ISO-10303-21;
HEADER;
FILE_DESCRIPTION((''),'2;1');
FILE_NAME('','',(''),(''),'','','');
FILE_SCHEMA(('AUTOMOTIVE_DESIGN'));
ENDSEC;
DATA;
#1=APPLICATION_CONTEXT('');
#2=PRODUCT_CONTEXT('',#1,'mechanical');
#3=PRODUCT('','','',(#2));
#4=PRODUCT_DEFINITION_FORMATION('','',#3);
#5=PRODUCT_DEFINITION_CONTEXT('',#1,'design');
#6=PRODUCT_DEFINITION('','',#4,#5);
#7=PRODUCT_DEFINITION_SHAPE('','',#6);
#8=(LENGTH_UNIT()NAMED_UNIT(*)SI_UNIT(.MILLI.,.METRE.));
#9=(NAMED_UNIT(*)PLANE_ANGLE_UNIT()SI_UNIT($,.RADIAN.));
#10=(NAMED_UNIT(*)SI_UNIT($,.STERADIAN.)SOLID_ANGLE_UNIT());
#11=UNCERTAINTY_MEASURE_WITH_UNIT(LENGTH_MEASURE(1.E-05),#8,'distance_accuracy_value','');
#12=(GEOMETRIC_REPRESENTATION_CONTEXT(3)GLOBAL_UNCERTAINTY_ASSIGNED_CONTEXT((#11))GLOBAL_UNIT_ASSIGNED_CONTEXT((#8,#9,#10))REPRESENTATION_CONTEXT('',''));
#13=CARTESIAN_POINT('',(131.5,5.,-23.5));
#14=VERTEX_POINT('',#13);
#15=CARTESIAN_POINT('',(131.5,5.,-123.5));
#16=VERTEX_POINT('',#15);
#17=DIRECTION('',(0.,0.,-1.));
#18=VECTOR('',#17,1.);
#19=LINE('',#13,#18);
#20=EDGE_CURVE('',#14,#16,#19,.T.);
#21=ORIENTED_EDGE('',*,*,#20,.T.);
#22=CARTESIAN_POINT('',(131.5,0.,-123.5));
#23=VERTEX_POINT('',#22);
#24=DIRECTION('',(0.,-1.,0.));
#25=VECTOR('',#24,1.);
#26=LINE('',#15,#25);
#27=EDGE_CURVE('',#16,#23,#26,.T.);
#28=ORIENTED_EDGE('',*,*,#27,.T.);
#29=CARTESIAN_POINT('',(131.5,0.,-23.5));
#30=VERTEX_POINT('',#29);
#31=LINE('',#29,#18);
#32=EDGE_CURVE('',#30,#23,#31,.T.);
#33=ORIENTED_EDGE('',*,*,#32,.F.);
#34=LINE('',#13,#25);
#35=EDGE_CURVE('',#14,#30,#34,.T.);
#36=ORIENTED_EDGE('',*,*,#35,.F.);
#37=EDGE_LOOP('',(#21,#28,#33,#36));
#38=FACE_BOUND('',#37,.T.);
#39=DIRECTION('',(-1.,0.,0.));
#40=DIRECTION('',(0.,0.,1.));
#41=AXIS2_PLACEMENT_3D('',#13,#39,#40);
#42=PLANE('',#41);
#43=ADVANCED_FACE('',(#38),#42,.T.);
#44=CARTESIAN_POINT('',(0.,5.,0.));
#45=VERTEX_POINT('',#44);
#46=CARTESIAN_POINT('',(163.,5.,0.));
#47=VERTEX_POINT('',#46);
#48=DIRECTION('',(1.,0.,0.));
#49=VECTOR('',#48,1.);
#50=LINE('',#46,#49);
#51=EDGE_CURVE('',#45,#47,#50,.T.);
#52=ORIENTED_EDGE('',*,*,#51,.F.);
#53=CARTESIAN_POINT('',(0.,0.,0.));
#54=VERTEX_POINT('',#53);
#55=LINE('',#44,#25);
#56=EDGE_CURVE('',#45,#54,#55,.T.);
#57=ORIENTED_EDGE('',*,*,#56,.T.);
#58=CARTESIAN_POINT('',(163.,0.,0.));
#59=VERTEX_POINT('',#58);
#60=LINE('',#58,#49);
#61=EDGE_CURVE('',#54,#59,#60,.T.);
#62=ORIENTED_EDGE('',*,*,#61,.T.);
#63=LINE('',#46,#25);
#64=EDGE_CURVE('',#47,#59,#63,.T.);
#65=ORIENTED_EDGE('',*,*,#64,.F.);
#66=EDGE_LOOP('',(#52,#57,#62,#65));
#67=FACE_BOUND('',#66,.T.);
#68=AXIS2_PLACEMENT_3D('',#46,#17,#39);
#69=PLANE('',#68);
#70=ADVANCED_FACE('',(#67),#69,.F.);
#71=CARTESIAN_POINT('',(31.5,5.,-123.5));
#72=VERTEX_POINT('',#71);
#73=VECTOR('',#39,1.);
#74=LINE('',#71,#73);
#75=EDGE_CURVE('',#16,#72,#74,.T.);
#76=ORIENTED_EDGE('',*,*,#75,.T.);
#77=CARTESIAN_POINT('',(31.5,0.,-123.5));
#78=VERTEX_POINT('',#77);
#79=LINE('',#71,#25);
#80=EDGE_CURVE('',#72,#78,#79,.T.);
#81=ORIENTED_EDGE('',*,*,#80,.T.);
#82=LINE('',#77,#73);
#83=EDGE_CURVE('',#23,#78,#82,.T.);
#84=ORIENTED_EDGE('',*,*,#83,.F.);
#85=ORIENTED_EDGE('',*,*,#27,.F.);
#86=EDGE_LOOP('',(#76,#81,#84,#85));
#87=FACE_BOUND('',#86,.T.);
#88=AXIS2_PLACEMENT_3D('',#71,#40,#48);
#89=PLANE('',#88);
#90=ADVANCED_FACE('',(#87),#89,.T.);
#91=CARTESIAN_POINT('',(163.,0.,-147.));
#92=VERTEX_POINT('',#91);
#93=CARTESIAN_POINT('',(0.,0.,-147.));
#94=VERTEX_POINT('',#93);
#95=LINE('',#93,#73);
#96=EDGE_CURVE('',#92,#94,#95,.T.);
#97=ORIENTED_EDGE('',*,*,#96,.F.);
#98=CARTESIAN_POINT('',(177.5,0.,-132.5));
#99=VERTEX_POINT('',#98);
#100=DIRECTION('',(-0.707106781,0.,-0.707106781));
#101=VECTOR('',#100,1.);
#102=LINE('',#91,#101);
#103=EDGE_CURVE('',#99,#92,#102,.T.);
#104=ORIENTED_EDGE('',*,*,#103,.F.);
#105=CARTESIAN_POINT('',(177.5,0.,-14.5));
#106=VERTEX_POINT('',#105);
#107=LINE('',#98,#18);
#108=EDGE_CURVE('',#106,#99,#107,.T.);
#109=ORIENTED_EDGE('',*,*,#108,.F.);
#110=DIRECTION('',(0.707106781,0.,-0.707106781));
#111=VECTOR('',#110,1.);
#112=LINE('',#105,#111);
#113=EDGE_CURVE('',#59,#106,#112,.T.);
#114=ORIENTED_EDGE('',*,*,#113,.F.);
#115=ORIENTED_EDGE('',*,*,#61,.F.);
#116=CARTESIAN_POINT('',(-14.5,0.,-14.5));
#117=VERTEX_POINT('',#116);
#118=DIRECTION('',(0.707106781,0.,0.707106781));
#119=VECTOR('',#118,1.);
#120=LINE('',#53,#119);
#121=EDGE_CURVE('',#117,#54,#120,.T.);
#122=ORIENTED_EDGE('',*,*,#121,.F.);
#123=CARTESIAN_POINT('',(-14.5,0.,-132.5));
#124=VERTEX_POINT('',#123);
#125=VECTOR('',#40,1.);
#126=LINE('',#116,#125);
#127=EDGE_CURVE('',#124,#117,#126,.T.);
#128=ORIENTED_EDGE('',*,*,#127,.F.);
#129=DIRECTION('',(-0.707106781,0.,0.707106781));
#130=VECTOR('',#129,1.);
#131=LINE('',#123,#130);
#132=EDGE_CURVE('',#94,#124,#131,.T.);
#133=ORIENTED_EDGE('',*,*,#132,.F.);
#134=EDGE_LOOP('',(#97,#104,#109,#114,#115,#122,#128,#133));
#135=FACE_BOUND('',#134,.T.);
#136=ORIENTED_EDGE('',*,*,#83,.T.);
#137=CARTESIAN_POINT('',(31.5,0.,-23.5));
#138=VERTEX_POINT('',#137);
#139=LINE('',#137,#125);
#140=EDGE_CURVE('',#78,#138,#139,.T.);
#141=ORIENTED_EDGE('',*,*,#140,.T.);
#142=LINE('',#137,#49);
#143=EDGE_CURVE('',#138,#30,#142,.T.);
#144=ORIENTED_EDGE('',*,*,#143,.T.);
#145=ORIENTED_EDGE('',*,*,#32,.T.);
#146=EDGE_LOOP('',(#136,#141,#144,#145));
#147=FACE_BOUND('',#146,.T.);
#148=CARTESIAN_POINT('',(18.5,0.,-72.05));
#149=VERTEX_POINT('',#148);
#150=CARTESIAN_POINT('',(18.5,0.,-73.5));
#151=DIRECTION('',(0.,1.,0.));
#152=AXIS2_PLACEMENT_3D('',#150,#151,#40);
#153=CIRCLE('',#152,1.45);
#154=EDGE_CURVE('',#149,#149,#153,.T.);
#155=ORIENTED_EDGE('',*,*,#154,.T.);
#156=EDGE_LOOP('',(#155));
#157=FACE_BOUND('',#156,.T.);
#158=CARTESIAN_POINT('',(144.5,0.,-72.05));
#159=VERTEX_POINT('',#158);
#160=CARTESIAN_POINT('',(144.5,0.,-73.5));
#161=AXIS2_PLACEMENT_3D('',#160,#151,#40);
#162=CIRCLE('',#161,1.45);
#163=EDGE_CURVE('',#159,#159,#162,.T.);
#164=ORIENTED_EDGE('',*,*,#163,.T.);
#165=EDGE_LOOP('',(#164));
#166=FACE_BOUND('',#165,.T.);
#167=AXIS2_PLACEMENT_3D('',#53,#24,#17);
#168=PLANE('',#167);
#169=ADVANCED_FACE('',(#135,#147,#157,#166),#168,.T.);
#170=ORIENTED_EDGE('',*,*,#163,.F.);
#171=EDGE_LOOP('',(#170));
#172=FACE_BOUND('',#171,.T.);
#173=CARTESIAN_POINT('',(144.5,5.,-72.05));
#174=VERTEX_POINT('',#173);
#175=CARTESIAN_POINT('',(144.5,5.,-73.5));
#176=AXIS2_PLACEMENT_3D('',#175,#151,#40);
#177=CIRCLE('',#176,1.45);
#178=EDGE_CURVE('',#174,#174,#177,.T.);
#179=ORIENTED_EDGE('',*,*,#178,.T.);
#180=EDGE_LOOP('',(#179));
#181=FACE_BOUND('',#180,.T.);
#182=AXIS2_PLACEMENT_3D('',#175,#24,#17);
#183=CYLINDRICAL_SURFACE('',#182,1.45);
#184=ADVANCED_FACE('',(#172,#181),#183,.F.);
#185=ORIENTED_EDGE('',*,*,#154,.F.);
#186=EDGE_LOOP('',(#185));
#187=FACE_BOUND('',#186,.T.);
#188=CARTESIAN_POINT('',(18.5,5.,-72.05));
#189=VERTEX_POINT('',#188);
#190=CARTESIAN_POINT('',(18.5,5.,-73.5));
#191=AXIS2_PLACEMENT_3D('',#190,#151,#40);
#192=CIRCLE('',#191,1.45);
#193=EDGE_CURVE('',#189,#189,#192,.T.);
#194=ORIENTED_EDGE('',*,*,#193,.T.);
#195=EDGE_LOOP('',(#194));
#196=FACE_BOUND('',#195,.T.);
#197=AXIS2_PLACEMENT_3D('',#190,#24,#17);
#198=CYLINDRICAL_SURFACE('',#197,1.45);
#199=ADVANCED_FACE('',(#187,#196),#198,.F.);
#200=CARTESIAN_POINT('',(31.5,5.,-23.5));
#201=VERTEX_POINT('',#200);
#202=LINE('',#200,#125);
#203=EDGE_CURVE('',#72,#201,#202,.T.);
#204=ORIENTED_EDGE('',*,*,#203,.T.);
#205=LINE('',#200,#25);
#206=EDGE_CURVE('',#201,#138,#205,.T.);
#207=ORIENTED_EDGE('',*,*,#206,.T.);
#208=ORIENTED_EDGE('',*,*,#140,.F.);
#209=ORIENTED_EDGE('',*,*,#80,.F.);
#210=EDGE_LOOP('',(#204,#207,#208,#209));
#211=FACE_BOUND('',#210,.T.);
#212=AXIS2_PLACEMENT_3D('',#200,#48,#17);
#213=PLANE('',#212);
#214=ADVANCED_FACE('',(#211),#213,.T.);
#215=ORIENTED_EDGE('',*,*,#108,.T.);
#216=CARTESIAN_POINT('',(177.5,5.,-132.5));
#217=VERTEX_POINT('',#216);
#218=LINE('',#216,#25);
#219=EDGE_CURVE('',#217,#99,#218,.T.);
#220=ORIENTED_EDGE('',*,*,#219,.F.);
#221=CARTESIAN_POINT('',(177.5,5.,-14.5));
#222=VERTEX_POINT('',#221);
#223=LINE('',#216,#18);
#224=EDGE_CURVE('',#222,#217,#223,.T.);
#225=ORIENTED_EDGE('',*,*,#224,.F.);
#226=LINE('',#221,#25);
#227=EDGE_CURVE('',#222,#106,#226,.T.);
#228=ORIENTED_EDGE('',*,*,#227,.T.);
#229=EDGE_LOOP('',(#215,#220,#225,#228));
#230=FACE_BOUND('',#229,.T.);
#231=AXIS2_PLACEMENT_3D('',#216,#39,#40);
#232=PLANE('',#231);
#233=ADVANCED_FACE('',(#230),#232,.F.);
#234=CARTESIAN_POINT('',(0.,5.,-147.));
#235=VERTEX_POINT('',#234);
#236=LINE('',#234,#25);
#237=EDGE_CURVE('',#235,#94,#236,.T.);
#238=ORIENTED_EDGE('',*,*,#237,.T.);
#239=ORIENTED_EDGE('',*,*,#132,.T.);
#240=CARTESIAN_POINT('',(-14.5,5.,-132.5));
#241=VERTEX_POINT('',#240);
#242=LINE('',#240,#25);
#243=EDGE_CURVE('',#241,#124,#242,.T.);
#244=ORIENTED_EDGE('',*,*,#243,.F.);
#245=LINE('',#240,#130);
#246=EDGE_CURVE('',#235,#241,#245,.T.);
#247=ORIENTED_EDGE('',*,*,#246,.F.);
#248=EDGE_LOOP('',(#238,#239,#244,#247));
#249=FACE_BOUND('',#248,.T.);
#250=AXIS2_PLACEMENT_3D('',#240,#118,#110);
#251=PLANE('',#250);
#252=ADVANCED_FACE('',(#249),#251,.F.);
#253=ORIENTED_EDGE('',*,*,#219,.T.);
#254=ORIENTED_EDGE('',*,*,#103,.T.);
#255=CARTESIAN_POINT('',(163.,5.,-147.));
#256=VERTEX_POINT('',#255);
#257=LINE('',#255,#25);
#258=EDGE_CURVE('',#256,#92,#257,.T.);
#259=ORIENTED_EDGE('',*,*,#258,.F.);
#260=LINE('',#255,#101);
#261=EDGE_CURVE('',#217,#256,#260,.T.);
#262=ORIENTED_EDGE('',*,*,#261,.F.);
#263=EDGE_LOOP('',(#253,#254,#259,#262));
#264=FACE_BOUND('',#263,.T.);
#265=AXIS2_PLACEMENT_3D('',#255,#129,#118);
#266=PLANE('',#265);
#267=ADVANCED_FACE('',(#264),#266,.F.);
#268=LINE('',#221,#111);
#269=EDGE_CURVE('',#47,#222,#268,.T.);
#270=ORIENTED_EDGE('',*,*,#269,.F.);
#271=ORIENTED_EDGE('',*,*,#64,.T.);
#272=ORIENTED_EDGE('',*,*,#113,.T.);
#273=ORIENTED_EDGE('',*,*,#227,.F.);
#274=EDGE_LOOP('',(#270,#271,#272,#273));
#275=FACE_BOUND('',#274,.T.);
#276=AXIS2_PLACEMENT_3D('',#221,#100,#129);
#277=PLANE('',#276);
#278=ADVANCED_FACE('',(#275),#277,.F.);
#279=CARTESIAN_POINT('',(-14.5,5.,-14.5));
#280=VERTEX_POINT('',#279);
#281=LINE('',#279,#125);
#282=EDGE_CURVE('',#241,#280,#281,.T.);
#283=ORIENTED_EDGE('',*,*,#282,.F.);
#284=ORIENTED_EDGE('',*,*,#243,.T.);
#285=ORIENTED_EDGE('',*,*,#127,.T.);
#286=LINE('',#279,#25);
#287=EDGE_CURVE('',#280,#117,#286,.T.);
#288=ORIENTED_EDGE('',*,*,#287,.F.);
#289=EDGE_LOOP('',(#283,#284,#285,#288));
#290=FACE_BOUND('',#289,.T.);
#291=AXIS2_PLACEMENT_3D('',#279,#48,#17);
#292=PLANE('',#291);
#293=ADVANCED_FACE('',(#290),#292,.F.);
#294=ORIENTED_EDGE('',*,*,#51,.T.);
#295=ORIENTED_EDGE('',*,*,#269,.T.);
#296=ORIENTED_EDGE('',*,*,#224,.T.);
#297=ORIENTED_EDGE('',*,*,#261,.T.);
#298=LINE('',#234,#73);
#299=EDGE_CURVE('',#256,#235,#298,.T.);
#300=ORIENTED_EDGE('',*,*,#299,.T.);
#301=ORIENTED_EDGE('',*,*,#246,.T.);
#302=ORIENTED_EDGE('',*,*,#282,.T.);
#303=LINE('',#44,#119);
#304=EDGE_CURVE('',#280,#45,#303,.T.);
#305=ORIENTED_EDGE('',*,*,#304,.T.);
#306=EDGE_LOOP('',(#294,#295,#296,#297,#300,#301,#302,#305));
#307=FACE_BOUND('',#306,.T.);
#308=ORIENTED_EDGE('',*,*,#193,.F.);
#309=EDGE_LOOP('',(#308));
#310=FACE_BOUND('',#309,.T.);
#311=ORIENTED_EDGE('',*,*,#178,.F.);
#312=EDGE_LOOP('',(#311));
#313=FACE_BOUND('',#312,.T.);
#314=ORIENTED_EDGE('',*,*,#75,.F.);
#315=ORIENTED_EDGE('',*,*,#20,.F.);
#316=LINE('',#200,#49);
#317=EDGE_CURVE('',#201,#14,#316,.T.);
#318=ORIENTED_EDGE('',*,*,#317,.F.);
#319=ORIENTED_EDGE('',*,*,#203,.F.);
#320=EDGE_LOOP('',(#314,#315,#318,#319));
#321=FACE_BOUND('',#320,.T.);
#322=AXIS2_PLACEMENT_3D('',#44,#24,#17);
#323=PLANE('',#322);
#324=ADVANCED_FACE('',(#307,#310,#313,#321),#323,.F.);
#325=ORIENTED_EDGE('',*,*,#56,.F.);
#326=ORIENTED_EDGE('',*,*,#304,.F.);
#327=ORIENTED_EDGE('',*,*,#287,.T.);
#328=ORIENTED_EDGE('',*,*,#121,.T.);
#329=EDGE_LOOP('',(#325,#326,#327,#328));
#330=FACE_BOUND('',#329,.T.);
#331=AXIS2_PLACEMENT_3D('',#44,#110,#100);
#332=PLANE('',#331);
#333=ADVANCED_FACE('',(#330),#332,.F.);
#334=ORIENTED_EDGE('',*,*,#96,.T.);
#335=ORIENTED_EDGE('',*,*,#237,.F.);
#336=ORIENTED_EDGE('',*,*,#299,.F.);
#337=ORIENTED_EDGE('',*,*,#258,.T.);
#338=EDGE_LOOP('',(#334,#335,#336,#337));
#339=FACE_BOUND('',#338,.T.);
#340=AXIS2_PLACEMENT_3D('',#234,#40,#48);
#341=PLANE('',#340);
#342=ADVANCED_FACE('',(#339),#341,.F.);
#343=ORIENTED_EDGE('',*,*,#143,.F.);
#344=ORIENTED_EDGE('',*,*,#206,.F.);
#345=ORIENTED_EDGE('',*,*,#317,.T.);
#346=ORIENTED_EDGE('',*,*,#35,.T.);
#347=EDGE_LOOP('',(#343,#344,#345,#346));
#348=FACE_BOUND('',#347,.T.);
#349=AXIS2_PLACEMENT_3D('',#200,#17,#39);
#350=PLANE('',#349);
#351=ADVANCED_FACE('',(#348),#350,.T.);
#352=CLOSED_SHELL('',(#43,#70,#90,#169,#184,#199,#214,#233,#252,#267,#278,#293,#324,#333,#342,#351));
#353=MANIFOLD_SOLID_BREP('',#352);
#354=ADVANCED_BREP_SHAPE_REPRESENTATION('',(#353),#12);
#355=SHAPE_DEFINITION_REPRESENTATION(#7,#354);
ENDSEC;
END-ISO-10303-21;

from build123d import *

# Parameters (mm, degrees)
CROQUIS1_R              = 1.45
CROQUIS1_W              = 100
CROQUIS1_H              = 100
SALIENTE_EXTRUIR1_DEPTH = 5


with BuildPart() as part:
    # Croquis1 → Saliente-Extruir1 (new body)
    with BuildSketch(Plane(origin=(0, 0, 0), x_dir=(1, 0, 0), z_dir=(0, 1, 0))):
        Polygon((0, 0), (-14.5, 14.5), (-14.5, 132.5), (0, 147), (163, 147), (177.5, 132.5), (177.5, 14.5), (163, 0), align=None)
        with Locations(Location((18.5, 73.5, 0), (0, 0, 270))):
            Circle(CROQUIS1_R, mode=Mode.SUBTRACT)
        with Locations(Location((144.5, 73.5, 0), (0, 0, 270))):
            Circle(CROQUIS1_R, mode=Mode.SUBTRACT)
        with Locations((81.5, 73.5)):
            Rectangle(CROQUIS1_W, CROQUIS1_H, mode=Mode.SUBTRACT)
    extrude(amount=SALIENTE_EXTRUIR1_DEPTH)


solid = part.part
